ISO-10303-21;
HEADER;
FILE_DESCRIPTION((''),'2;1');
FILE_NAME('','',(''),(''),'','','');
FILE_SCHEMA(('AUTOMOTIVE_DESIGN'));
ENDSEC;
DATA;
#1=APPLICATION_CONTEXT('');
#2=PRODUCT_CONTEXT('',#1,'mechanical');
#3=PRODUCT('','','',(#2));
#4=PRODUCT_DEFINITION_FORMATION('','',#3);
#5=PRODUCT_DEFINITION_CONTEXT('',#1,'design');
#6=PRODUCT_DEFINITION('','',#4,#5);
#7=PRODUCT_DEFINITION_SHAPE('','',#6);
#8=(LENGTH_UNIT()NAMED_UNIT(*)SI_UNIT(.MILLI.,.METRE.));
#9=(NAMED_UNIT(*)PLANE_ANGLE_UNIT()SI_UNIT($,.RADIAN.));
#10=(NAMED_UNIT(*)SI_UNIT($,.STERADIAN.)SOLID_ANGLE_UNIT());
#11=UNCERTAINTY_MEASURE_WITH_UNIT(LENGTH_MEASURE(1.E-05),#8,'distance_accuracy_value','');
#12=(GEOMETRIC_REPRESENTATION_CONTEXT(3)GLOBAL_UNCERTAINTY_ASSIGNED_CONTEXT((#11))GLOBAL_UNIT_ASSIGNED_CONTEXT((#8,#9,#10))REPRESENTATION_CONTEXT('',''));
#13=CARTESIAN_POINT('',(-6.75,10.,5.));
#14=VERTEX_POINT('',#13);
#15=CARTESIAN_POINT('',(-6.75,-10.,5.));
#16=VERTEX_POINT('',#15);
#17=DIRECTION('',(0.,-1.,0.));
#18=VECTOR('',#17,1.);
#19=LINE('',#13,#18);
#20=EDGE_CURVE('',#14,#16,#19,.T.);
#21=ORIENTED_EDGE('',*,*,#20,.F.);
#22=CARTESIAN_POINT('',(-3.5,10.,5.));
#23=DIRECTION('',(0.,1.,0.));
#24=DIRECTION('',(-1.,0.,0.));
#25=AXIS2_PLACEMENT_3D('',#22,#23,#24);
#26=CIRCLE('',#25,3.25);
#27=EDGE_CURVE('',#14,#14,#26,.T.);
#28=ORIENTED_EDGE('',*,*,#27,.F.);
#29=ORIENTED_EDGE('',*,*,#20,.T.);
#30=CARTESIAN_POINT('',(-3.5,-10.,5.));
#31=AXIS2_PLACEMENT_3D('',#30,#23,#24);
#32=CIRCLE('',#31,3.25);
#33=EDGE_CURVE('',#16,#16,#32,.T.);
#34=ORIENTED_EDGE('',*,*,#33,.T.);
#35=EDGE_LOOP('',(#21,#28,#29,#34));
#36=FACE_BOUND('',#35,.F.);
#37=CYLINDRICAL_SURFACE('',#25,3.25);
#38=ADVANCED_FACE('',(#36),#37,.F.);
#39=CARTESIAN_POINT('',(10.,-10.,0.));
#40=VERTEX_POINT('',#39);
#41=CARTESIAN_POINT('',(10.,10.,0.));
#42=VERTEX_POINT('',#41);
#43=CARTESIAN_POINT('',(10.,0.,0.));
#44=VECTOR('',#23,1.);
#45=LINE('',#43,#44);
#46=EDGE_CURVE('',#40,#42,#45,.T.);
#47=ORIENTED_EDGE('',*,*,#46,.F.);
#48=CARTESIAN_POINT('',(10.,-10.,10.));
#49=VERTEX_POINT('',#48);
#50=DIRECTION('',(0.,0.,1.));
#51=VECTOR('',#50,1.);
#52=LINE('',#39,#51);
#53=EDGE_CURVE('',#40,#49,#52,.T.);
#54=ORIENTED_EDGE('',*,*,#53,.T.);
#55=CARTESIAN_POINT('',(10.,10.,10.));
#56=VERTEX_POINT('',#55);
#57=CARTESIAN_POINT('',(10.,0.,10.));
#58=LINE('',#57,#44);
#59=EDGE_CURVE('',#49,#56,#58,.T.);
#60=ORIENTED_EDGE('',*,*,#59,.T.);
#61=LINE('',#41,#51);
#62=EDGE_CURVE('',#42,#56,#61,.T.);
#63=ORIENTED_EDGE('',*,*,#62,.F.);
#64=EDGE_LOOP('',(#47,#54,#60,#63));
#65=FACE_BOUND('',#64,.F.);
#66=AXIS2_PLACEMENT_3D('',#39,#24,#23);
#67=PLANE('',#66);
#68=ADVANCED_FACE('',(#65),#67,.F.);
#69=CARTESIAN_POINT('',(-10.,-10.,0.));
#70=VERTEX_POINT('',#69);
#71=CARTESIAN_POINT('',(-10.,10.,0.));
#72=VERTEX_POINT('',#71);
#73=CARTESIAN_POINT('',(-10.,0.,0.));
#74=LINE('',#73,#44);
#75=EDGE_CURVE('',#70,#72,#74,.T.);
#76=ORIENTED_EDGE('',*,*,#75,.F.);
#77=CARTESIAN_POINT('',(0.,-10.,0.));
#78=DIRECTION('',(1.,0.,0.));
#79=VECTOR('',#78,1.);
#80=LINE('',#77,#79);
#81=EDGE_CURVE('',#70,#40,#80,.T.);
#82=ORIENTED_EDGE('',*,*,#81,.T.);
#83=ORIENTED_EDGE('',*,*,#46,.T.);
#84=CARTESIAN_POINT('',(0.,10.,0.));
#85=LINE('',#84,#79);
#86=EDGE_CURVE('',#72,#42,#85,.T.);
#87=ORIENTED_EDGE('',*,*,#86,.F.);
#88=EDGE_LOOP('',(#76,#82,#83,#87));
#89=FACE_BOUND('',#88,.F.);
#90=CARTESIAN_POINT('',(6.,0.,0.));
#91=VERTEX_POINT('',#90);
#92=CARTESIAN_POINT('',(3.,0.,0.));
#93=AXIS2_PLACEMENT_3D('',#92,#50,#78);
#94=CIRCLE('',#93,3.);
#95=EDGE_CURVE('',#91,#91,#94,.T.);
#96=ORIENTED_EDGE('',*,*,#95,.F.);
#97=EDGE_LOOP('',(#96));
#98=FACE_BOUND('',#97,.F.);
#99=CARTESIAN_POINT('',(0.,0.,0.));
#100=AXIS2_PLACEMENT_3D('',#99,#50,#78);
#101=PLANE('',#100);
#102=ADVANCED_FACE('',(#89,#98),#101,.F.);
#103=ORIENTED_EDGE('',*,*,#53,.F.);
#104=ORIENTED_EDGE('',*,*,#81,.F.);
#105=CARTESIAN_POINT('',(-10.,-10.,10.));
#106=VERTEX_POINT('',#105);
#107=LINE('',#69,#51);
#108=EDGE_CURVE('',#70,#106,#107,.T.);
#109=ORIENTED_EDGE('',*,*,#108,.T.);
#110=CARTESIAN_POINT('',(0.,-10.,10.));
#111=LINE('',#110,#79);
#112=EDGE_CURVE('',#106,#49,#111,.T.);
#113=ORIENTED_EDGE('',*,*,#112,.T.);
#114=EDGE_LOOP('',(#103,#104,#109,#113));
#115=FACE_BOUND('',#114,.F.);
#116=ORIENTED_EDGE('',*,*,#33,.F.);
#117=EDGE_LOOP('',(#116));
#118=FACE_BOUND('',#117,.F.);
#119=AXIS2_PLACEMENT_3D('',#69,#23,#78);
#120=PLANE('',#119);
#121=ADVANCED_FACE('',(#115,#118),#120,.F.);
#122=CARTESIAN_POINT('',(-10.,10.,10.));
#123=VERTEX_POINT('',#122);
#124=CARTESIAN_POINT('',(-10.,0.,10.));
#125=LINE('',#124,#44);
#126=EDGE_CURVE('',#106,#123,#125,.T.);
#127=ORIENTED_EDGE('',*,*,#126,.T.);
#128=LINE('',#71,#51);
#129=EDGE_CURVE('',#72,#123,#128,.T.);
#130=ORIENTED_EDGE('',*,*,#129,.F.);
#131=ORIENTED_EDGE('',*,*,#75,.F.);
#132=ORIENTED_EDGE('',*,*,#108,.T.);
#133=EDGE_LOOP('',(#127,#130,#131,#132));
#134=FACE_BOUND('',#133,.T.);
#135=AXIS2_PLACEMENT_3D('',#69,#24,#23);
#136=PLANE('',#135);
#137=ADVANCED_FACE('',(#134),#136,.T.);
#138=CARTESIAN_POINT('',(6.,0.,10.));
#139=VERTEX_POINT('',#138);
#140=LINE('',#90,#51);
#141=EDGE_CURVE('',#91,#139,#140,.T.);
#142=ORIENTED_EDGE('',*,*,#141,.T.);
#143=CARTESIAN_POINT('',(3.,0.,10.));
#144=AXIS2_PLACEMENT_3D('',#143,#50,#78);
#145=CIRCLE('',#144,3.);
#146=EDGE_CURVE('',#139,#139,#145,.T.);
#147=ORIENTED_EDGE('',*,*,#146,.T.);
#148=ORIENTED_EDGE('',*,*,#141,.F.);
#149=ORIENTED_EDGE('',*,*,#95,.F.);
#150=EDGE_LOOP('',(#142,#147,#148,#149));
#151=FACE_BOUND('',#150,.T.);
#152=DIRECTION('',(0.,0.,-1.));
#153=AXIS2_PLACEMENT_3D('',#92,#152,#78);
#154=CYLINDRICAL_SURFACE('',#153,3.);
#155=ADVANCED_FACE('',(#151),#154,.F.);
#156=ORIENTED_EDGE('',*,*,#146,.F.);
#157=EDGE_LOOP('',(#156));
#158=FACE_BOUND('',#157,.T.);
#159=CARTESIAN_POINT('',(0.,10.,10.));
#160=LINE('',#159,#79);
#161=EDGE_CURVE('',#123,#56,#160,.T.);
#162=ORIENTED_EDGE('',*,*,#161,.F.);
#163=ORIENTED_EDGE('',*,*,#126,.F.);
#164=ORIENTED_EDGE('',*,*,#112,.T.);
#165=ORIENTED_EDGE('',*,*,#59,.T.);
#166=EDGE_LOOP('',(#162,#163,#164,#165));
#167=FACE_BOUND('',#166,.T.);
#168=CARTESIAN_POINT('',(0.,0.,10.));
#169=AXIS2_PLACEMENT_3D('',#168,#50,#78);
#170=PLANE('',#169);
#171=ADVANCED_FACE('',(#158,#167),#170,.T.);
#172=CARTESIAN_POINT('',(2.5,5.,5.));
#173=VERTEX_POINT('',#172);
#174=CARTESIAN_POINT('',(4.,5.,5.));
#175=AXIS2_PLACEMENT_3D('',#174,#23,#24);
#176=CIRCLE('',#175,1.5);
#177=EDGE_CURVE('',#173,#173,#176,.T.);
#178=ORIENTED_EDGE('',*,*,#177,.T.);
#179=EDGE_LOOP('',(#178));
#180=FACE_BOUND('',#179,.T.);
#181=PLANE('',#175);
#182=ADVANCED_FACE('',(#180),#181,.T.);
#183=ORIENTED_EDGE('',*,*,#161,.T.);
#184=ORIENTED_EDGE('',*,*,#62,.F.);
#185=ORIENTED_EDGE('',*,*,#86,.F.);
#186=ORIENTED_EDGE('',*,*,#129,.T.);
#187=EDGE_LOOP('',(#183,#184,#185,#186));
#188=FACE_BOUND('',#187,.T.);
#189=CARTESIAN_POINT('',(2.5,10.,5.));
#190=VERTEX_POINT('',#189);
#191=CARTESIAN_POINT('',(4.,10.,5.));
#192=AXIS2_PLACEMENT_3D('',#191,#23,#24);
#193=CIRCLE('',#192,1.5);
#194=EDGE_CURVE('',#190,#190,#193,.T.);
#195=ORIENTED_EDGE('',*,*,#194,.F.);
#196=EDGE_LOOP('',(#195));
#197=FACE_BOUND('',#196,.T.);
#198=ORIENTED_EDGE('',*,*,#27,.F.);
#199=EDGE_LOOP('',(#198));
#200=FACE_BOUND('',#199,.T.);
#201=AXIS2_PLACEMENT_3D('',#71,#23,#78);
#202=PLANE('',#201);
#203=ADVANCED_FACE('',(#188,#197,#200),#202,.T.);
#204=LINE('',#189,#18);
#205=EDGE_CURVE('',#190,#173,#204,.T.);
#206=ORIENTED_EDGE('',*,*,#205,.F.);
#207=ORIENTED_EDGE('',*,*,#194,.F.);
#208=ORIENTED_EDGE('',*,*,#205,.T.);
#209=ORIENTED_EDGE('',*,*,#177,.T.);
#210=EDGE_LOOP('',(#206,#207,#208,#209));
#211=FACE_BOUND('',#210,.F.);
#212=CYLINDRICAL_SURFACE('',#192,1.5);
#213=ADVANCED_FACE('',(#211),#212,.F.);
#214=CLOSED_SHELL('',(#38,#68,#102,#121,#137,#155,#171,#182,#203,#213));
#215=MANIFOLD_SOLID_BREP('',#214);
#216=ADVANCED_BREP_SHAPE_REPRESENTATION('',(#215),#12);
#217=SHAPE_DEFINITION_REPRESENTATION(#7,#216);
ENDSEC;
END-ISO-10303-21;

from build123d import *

# Parameters (mm, degrees)
F0_W     = 20
F0_H     = 20
F0_R     = 3
F1_DEPTH = 10
F2_R     = 3.25
F3_DEPTH = 20.001
F2_R_2   = 1.5
F4_DEPTH = 5


with BuildPart() as f1:
    # F0 (on Top) → F1 (new body)
    with BuildSketch(Plane.XY):
        Rectangle(F0_W, F0_H)
        with Locations((3, 0)):
            Circle(F0_R, mode=Mode.SUBTRACT)
    extrude(amount=F1_DEPTH)

    # F2 (on face) → F3 (cut, through all)
    with BuildSketch(Plane(origin=(0, 10, 0), x_dir=(-1, 0, 0), z_dir=(0, 1, 0))):
        with Locations((3.5, 5)):
            Circle(F2_R)
    extrude(amount=-F3_DEPTH, mode=Mode.SUBTRACT)

    # F2 (on face) → F4 (cut)
    with BuildSketch(Plane(origin=(0, 10, 0), x_dir=(-1, 0, 0), z_dir=(0, 1, 0))):
        with Locations((-4, 5)):
            Circle(F2_R_2)
    extrude(amount=-F4_DEPTH, mode=Mode.SUBTRACT)


solid = f1.part
